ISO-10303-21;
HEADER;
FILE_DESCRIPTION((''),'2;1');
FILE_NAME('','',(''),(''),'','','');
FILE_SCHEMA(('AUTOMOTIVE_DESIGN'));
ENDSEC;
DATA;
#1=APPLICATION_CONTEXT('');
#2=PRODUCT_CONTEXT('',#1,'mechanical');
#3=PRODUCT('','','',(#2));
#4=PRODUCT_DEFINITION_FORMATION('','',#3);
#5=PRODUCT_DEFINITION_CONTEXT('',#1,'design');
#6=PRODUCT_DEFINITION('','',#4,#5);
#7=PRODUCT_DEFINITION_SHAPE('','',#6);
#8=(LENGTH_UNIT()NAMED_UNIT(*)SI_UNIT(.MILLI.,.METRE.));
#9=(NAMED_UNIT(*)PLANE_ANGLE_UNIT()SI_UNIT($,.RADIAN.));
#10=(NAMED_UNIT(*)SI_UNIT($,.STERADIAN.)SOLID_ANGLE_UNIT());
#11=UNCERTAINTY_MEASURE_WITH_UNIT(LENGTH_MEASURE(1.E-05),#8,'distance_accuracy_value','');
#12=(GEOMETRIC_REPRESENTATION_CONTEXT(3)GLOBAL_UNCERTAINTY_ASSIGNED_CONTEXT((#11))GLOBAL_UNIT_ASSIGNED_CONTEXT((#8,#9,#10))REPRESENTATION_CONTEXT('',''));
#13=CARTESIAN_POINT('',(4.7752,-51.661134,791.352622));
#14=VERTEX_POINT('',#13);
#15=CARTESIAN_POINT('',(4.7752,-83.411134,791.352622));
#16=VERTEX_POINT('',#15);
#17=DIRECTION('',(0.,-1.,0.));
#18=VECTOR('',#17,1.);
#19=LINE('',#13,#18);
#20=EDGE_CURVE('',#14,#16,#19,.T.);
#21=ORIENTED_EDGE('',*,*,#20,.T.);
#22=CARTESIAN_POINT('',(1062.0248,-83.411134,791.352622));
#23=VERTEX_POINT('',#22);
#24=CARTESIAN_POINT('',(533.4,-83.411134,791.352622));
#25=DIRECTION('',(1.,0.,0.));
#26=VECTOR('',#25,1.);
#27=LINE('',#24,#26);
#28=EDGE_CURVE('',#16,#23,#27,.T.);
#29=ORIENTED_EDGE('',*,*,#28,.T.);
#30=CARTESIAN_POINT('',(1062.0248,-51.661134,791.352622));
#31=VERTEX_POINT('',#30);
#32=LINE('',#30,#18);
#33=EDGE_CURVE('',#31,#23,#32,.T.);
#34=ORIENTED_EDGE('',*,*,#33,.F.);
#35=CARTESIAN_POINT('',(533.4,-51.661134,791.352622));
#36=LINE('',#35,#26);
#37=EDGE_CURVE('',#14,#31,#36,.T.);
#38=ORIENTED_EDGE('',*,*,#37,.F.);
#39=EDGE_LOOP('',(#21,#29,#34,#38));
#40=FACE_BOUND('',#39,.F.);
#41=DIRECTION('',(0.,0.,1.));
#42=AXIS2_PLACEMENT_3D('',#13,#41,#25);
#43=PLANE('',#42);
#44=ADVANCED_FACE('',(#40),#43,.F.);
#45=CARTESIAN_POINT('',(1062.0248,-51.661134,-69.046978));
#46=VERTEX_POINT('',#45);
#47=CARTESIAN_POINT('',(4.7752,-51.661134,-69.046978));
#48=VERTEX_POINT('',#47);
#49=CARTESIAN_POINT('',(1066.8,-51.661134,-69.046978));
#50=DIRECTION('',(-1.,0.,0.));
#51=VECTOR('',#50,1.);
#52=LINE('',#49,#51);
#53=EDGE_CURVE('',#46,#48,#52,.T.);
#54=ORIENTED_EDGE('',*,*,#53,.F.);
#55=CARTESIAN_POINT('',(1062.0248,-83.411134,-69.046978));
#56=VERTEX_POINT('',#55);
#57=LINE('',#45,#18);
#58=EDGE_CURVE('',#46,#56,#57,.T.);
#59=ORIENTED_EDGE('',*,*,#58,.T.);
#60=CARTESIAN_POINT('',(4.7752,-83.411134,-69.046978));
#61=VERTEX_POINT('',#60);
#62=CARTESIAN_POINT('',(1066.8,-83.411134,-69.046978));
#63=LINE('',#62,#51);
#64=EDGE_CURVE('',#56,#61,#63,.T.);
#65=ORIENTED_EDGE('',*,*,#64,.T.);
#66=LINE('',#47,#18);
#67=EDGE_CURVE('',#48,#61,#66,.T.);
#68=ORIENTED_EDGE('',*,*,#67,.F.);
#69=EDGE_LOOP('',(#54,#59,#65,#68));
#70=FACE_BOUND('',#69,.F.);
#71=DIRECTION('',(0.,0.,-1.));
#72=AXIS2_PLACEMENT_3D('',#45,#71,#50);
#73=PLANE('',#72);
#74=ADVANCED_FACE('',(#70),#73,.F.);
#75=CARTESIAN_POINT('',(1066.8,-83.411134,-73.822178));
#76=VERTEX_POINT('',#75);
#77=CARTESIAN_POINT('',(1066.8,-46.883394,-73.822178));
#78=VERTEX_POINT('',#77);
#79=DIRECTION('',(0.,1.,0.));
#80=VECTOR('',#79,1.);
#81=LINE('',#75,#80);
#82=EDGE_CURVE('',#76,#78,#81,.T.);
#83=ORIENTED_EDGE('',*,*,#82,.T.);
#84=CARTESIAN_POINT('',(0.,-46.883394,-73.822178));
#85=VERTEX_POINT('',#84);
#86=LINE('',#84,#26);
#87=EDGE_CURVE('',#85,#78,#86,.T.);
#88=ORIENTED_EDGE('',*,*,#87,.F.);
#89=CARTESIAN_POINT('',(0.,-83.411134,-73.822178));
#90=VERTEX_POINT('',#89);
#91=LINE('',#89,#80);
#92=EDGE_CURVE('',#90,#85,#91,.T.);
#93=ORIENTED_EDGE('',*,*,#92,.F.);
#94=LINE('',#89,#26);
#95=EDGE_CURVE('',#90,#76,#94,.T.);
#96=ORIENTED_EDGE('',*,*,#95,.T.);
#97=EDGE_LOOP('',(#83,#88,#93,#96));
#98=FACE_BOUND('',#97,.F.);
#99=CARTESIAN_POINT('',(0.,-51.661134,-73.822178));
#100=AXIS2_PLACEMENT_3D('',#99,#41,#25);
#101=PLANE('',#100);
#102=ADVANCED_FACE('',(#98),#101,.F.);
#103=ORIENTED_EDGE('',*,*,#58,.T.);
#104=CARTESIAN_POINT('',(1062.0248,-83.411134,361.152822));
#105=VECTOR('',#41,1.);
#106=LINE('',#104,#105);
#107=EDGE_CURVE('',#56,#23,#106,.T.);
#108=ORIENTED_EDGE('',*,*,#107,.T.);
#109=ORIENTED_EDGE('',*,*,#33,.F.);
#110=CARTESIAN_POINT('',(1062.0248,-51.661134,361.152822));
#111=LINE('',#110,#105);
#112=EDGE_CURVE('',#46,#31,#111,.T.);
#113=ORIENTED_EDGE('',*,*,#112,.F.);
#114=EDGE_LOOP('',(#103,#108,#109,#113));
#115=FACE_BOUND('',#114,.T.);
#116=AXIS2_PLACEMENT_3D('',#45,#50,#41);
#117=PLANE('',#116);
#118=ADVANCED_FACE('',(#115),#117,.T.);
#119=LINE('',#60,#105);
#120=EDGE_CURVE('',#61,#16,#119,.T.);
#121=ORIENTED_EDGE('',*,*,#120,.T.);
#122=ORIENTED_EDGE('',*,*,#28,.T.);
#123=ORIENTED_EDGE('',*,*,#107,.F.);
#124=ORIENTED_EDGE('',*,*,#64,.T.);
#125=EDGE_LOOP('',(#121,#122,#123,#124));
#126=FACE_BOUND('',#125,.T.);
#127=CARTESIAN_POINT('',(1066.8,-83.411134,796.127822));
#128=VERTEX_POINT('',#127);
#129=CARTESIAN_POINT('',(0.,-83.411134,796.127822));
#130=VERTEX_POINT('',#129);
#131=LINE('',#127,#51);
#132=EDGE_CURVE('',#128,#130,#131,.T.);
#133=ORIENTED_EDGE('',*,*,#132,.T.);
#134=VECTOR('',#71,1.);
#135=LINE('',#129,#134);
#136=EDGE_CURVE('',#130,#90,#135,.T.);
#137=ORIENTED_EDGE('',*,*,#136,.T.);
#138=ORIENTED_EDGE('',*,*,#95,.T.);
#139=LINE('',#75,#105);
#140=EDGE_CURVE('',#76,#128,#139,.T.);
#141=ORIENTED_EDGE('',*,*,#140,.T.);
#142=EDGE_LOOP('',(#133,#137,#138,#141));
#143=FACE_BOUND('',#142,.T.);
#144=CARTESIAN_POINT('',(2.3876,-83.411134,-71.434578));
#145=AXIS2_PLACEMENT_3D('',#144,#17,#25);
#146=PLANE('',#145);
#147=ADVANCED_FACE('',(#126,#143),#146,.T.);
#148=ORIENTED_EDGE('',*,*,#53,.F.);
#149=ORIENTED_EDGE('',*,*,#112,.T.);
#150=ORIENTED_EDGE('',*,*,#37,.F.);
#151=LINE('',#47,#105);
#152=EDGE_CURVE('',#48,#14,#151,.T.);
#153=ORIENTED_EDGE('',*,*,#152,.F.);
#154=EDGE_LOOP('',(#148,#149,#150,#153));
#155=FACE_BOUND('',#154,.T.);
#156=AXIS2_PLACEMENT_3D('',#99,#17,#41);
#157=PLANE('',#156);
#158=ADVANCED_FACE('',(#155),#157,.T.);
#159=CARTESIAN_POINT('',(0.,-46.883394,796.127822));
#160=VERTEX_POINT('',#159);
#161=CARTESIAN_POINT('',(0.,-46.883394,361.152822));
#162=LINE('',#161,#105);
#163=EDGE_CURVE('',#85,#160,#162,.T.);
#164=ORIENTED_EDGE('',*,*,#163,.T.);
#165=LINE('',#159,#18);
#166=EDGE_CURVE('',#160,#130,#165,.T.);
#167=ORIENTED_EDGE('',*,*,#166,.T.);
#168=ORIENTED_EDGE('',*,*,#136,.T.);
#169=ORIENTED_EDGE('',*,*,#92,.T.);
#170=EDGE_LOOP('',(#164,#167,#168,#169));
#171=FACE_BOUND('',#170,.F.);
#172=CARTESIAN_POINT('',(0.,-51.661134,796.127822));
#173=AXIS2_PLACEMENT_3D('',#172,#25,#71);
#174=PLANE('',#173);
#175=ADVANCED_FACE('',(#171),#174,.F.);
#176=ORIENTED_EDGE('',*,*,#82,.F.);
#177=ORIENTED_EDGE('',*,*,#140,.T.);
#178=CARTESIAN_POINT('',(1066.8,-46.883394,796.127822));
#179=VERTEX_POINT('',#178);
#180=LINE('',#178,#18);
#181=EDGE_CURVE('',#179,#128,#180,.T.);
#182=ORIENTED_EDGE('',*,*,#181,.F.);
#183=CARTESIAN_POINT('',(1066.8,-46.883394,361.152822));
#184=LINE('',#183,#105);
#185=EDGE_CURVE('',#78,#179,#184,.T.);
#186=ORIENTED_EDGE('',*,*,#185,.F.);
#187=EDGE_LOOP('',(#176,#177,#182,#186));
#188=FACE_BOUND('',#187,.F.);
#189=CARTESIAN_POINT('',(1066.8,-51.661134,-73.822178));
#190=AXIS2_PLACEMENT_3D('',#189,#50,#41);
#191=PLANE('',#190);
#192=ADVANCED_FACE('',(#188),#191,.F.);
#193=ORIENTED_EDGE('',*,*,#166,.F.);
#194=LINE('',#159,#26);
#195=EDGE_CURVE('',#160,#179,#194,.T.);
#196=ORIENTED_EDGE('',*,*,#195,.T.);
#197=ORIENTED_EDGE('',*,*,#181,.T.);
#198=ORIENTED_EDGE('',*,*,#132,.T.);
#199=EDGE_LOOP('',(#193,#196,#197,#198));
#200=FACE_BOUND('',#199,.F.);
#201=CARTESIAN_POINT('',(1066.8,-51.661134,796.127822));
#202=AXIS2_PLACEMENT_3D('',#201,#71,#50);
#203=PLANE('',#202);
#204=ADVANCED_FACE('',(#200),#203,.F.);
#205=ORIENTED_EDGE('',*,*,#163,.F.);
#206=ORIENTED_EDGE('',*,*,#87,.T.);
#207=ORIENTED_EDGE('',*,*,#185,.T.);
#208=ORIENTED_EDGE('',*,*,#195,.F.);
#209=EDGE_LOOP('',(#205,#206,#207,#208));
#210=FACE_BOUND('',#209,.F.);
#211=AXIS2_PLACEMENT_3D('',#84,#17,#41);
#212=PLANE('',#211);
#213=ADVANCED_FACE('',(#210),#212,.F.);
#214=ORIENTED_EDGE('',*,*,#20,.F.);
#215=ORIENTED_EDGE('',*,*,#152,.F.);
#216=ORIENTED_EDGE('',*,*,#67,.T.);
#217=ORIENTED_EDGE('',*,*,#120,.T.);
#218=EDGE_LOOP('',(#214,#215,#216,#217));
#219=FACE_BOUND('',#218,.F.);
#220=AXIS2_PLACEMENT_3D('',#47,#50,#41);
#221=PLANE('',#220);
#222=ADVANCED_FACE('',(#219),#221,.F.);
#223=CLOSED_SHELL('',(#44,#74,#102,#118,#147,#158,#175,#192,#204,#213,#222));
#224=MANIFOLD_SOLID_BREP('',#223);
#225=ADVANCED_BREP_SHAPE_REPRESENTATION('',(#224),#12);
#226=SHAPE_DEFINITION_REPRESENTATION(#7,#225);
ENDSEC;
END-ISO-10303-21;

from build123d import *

# Parameters (mm, degrees)
F0_W     = 4.77774
F0_H     = 869.95
F1_DEPTH = 1066.8
F2_W     = 4.7752
F2_H     = 4.7752
F2_W_2   = 1057.2496
F2_H_2   = 860.3996
F3_DEPTH = 31.75


with BuildPart() as f1:
    # F0 (on Right) → F1 (new body)
    with BuildSketch(Plane.YZ):
        with Locations((-49.272264, 361.152822)):
            Rectangle(F0_W, F0_H)
    extrude(amount=F1_DEPTH)

    # F2 (on face) → F3 (join)
    with BuildSketch(Plane.XZ.offset(51.661134)):
        with Locations((2.3876, -71.434578)):
            Rectangle(F2_W, F2_H)
        with Locations((533.4, -71.434578)):
            Rectangle(F2_W_2, F2_H)
        with Locations((2.3876, 361.152822)):
            Rectangle(F2_W, F2_H_2)
        with Locations((1064.4124, -71.434578)):
            Rectangle(F2_W, F2_H)
        with Locations((2.3876, 793.740222)):
            Rectangle(F2_W, F2_H)
        with Locations((533.4, 793.740222)):
            Rectangle(F2_W_2, F2_H)
        with Locations((1064.4124, 361.152822)):
            Rectangle(F2_W, F2_H_2)
        with Locations((1064.4124, 793.740222)):
            Rectangle(F2_W, F2_H)
    extrude(amount=F3_DEPTH)


solid = f1.part
